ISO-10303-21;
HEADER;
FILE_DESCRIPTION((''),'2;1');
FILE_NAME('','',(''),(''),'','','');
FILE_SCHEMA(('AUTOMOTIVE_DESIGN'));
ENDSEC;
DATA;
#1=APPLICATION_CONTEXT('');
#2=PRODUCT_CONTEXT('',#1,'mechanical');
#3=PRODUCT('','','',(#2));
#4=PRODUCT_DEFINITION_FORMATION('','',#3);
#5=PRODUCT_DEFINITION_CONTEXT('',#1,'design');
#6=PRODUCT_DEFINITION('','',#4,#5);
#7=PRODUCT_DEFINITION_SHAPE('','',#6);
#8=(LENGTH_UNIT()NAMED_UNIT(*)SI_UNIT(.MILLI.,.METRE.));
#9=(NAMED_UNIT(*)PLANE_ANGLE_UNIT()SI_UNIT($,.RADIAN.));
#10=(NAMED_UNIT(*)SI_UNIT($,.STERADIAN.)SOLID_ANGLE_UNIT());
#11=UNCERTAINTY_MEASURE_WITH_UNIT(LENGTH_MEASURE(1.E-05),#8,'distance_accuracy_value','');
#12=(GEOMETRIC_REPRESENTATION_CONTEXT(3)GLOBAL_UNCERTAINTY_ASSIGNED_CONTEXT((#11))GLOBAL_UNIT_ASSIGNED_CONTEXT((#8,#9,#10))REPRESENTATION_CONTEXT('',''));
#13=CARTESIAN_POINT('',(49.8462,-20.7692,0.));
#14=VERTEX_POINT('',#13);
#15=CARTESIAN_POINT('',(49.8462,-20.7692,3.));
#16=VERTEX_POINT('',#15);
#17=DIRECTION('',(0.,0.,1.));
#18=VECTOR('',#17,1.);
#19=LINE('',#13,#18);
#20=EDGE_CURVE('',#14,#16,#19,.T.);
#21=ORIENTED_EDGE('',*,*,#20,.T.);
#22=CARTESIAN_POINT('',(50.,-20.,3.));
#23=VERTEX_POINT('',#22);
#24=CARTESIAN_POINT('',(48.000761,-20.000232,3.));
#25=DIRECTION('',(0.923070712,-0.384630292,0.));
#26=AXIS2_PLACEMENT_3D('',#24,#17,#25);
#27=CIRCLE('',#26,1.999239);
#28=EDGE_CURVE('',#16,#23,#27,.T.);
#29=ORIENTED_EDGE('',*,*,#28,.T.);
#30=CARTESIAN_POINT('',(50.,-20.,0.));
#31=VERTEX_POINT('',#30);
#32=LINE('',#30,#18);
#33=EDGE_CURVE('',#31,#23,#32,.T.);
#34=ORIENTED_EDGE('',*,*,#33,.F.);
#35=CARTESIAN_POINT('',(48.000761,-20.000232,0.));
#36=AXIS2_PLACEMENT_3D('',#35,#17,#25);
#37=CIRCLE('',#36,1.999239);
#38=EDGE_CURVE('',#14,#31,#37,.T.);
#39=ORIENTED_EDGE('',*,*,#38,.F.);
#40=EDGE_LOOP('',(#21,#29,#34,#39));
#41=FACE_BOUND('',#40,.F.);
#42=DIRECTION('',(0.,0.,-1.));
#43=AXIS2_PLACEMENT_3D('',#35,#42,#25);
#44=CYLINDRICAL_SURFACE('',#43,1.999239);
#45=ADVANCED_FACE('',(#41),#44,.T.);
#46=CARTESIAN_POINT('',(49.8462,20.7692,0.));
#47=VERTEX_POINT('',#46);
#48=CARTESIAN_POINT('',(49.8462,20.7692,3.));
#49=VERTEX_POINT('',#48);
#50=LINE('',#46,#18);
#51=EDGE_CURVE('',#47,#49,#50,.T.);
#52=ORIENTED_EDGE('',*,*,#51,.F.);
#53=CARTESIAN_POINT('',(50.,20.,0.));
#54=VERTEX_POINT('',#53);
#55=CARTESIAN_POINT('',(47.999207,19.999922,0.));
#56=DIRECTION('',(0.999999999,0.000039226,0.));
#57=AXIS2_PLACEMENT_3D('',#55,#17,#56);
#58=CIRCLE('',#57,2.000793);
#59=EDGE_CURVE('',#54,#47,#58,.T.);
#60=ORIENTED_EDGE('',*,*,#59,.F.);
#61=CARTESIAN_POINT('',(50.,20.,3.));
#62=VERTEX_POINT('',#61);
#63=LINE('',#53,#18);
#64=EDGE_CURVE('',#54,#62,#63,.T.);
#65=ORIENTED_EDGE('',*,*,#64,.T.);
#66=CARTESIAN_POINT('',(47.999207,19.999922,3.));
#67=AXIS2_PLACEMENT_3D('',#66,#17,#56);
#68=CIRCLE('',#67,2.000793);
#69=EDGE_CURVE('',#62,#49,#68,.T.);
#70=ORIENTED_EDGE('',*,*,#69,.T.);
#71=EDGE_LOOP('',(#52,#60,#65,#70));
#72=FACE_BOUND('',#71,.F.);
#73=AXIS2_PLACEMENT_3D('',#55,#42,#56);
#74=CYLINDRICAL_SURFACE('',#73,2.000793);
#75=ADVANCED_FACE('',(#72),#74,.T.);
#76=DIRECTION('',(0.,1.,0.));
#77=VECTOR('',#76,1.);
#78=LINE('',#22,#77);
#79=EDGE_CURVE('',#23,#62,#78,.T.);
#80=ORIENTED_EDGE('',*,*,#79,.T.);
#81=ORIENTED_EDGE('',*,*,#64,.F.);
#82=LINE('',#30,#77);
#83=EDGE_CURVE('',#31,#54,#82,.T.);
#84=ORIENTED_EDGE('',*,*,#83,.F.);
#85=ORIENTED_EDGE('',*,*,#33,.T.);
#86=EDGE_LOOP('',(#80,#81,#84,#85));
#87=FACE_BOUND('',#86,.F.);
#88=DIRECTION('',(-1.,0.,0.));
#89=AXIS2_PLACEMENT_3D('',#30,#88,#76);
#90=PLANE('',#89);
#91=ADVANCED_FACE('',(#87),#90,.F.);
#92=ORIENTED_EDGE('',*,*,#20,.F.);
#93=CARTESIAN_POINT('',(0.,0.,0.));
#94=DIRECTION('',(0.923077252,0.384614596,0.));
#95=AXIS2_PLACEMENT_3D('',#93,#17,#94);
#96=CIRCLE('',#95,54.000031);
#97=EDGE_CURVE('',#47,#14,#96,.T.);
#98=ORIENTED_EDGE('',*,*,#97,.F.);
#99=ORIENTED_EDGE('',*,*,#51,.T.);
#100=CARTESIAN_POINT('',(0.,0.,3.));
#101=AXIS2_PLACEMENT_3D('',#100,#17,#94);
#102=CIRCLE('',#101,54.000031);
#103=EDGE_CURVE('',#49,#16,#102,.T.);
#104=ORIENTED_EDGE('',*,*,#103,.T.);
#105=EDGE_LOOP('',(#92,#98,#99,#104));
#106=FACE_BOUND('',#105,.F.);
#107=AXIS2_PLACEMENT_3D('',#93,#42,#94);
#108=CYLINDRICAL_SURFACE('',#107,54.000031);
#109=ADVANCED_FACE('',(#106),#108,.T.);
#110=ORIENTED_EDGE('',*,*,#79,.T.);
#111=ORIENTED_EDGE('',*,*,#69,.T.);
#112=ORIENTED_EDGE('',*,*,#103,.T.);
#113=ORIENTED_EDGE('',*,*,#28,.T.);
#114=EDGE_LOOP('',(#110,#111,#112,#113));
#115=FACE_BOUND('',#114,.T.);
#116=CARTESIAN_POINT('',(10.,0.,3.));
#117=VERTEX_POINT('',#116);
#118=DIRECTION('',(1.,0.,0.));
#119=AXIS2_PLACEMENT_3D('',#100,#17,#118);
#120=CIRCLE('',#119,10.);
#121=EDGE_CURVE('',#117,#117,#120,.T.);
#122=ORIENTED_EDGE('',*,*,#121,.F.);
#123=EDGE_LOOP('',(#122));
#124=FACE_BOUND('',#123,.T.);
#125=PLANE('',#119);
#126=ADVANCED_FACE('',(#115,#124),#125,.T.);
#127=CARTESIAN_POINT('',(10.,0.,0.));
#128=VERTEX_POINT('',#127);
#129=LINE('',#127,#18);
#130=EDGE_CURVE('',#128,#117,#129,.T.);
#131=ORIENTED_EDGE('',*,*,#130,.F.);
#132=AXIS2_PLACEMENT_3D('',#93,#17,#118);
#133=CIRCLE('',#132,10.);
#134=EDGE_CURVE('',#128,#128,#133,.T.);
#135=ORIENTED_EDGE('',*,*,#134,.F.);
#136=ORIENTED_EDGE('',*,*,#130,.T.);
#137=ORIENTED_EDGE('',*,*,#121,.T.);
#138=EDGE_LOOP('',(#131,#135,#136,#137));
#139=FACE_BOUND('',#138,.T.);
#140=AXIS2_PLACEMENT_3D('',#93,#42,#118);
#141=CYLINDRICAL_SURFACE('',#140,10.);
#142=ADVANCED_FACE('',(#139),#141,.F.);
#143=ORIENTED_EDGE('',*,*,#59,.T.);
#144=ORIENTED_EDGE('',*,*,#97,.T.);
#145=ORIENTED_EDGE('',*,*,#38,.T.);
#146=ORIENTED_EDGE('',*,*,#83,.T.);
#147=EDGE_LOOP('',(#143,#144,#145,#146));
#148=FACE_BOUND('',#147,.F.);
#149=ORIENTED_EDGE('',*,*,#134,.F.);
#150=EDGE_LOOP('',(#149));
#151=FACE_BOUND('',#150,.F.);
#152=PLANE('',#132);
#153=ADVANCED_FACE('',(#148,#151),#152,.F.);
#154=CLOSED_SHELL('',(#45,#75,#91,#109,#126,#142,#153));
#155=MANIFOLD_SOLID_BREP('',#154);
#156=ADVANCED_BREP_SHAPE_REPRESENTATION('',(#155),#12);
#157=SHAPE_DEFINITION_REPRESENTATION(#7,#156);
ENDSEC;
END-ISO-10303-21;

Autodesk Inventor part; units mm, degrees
ref_plane "YZ Plane" through (0, 0, 0) normal (1, 0, 0) x (0, 1, 0)
ref_plane "XZ Plane" through (0, 0, 0) normal (0, 1, 0) x (-1, 0, 0)
ref_plane "XY Plane" through (0, 0, 0) normal (0, 0, 1) x (1, 0, 0)
sketch "Sketch1" plane through (0, 0, 0) normal (0, 0, 1) x (1, 0, 0)
  circle A0 centre (0, 0) radius 10
  line L0 (50, -20) -> (50, 20)
  arc A1 (49.8462, 20.7692) -> (49.8462, -20.7692) centre (0, 0) ccw
  arc A2 (50, 20) -> (49.8462, 20.7692) centre (48, 20) ccw
  arc A3 (49.8462, -20.7692) -> (50, -20) centre (48, -20) ccw
  point P0 (50, -20.3961)
  point P1 (50, 20.3961)
  dimension "d1" = 20
  dimension "d12" = 50
  dimension "d14" = 54
extrude "Extrusion3" add sketch "Sketch1" along normal blind 3
properties part number "EndCap 108 Cover"
